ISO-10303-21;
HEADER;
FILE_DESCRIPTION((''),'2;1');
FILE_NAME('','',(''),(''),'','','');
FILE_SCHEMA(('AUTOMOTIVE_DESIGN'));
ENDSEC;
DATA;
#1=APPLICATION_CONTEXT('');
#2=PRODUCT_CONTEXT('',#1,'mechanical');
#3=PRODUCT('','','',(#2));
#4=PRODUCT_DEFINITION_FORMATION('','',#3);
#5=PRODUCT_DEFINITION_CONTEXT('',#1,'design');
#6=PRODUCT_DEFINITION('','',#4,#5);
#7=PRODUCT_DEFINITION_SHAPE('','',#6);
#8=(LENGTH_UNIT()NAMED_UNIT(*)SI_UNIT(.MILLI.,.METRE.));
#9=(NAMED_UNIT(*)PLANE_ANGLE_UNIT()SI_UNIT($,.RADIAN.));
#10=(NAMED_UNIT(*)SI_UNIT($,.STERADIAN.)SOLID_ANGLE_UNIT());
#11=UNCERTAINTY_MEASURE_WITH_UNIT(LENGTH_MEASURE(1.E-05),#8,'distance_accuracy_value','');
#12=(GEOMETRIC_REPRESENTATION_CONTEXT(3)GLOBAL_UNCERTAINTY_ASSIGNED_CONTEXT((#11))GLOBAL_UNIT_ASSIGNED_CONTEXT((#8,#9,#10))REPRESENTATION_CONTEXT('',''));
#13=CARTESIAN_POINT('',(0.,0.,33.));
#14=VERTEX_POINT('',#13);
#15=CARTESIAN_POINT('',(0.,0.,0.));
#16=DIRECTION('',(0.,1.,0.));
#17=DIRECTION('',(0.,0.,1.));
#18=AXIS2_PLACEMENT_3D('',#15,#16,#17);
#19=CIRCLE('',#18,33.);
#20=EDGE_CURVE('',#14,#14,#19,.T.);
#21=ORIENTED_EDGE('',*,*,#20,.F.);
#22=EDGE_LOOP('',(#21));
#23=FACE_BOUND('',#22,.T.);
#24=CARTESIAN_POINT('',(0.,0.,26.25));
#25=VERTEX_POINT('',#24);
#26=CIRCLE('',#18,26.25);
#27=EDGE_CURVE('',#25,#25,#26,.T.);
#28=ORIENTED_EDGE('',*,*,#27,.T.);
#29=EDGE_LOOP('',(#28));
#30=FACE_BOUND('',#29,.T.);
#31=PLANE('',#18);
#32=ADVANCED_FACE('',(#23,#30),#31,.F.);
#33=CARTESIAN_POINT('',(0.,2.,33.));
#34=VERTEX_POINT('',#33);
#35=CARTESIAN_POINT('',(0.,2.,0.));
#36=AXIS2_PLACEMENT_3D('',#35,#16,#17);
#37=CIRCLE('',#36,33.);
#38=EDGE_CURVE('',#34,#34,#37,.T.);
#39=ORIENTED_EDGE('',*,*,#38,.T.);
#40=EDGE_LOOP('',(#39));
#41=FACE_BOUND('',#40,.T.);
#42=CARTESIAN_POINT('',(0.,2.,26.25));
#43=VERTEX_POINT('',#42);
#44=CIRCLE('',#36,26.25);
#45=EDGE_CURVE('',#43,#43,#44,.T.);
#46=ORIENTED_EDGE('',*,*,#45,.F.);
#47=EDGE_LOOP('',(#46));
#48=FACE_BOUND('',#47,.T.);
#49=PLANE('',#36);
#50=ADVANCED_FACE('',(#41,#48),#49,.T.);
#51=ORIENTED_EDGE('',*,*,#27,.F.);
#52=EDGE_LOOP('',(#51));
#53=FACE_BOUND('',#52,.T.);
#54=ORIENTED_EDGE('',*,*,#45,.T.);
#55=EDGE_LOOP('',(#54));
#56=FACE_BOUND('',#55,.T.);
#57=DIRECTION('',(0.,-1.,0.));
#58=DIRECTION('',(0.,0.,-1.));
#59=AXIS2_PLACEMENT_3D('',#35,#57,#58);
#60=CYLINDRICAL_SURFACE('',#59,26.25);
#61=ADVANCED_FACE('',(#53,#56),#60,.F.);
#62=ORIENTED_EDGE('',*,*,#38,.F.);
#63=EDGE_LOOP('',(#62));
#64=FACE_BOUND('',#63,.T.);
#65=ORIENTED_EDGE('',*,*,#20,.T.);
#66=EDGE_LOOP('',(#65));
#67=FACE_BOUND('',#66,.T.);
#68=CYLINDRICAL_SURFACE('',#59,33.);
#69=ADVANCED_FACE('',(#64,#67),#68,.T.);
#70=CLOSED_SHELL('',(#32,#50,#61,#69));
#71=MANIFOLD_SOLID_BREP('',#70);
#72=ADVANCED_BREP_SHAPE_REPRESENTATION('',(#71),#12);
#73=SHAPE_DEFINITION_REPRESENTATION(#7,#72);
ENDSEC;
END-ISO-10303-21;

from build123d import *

# Parameters (mm, degrees)
SKETCH1_R           = 33
SKETCH1_R_2         = 26.25
BOSS_EXTRUDE1_DEPTH = 2


with BuildPart() as part:
    # Sketch1 → Boss-Extrude1 (new body)
    with BuildSketch(Plane(origin=(0, 0, 0), x_dir=(1, 0, 0), z_dir=(0, 1, 0))):
        with Locations(Location((0, 0, 0), (0, 0, 270))):
            Circle(SKETCH1_R)
        with Locations(Location((0, 0, 0), (0, 0, 270))):
            Circle(SKETCH1_R_2, mode=Mode.SUBTRACT)
    extrude(amount=BOSS_EXTRUDE1_DEPTH)


solid = part.part
